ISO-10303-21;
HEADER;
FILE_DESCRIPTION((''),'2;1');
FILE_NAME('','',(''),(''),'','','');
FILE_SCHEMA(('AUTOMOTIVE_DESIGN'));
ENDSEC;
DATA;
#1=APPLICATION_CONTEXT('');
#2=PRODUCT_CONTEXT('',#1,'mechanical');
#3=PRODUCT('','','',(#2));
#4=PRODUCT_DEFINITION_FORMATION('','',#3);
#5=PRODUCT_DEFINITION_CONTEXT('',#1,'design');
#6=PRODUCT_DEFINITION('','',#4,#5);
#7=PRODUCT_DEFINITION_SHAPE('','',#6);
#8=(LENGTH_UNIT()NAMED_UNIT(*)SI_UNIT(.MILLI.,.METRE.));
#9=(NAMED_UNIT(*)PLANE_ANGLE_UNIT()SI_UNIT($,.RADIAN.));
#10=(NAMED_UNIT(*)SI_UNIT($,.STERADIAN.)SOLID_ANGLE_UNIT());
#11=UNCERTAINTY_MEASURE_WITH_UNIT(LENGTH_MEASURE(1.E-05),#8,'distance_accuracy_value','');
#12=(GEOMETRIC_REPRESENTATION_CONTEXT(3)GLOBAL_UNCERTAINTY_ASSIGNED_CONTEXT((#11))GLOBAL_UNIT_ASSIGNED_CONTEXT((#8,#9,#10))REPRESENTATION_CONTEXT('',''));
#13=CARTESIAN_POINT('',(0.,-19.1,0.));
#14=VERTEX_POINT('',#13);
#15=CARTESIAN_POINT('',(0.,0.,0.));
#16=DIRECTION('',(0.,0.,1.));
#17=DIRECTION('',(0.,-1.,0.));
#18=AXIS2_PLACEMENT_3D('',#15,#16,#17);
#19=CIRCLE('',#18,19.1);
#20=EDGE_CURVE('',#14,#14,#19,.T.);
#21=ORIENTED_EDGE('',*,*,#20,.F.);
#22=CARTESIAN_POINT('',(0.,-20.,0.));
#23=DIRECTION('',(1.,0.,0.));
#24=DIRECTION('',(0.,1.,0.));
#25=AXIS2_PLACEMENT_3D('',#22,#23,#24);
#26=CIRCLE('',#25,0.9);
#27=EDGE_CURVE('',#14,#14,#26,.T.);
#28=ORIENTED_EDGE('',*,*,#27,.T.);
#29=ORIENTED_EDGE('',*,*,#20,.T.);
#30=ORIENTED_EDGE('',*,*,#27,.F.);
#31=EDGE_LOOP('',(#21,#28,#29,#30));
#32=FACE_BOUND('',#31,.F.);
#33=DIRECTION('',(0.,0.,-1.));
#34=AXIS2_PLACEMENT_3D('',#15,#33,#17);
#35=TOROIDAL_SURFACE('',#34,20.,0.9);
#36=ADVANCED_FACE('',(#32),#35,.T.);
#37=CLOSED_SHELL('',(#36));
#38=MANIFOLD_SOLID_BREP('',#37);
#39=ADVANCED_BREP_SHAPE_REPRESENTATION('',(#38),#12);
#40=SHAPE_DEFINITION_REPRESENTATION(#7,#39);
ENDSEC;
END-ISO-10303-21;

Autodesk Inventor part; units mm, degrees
ref_plane "YZ Plane" through (0, 0, 0) normal (1, 0, 0) x (0, 1, 0)
ref_plane "XZ Plane" through (0, 0, 0) normal (0, 1, 0) x (-1, 0, 0)
ref_plane "XY Plane" through (0, 0, 0) normal (0, 0, 1) x (1, 0, 0)
sketch "Skizze1" plane through (0, 0, 0) normal (1, 0, 0) x (0, 1, 0)
  circle A0 centre (-20, 0) radius 0.9
  line L0 (0, -1.26) -> (0, 1.26) projected
  point P0 (0, 0)
  dimension "d3" = 20
revolve "Umdrehung1" add sketch "Skizze1" angle 360 about axis through (0, 0, -10) along (0, 0, 1)
properties part number "O-Ring_40_1_8"
